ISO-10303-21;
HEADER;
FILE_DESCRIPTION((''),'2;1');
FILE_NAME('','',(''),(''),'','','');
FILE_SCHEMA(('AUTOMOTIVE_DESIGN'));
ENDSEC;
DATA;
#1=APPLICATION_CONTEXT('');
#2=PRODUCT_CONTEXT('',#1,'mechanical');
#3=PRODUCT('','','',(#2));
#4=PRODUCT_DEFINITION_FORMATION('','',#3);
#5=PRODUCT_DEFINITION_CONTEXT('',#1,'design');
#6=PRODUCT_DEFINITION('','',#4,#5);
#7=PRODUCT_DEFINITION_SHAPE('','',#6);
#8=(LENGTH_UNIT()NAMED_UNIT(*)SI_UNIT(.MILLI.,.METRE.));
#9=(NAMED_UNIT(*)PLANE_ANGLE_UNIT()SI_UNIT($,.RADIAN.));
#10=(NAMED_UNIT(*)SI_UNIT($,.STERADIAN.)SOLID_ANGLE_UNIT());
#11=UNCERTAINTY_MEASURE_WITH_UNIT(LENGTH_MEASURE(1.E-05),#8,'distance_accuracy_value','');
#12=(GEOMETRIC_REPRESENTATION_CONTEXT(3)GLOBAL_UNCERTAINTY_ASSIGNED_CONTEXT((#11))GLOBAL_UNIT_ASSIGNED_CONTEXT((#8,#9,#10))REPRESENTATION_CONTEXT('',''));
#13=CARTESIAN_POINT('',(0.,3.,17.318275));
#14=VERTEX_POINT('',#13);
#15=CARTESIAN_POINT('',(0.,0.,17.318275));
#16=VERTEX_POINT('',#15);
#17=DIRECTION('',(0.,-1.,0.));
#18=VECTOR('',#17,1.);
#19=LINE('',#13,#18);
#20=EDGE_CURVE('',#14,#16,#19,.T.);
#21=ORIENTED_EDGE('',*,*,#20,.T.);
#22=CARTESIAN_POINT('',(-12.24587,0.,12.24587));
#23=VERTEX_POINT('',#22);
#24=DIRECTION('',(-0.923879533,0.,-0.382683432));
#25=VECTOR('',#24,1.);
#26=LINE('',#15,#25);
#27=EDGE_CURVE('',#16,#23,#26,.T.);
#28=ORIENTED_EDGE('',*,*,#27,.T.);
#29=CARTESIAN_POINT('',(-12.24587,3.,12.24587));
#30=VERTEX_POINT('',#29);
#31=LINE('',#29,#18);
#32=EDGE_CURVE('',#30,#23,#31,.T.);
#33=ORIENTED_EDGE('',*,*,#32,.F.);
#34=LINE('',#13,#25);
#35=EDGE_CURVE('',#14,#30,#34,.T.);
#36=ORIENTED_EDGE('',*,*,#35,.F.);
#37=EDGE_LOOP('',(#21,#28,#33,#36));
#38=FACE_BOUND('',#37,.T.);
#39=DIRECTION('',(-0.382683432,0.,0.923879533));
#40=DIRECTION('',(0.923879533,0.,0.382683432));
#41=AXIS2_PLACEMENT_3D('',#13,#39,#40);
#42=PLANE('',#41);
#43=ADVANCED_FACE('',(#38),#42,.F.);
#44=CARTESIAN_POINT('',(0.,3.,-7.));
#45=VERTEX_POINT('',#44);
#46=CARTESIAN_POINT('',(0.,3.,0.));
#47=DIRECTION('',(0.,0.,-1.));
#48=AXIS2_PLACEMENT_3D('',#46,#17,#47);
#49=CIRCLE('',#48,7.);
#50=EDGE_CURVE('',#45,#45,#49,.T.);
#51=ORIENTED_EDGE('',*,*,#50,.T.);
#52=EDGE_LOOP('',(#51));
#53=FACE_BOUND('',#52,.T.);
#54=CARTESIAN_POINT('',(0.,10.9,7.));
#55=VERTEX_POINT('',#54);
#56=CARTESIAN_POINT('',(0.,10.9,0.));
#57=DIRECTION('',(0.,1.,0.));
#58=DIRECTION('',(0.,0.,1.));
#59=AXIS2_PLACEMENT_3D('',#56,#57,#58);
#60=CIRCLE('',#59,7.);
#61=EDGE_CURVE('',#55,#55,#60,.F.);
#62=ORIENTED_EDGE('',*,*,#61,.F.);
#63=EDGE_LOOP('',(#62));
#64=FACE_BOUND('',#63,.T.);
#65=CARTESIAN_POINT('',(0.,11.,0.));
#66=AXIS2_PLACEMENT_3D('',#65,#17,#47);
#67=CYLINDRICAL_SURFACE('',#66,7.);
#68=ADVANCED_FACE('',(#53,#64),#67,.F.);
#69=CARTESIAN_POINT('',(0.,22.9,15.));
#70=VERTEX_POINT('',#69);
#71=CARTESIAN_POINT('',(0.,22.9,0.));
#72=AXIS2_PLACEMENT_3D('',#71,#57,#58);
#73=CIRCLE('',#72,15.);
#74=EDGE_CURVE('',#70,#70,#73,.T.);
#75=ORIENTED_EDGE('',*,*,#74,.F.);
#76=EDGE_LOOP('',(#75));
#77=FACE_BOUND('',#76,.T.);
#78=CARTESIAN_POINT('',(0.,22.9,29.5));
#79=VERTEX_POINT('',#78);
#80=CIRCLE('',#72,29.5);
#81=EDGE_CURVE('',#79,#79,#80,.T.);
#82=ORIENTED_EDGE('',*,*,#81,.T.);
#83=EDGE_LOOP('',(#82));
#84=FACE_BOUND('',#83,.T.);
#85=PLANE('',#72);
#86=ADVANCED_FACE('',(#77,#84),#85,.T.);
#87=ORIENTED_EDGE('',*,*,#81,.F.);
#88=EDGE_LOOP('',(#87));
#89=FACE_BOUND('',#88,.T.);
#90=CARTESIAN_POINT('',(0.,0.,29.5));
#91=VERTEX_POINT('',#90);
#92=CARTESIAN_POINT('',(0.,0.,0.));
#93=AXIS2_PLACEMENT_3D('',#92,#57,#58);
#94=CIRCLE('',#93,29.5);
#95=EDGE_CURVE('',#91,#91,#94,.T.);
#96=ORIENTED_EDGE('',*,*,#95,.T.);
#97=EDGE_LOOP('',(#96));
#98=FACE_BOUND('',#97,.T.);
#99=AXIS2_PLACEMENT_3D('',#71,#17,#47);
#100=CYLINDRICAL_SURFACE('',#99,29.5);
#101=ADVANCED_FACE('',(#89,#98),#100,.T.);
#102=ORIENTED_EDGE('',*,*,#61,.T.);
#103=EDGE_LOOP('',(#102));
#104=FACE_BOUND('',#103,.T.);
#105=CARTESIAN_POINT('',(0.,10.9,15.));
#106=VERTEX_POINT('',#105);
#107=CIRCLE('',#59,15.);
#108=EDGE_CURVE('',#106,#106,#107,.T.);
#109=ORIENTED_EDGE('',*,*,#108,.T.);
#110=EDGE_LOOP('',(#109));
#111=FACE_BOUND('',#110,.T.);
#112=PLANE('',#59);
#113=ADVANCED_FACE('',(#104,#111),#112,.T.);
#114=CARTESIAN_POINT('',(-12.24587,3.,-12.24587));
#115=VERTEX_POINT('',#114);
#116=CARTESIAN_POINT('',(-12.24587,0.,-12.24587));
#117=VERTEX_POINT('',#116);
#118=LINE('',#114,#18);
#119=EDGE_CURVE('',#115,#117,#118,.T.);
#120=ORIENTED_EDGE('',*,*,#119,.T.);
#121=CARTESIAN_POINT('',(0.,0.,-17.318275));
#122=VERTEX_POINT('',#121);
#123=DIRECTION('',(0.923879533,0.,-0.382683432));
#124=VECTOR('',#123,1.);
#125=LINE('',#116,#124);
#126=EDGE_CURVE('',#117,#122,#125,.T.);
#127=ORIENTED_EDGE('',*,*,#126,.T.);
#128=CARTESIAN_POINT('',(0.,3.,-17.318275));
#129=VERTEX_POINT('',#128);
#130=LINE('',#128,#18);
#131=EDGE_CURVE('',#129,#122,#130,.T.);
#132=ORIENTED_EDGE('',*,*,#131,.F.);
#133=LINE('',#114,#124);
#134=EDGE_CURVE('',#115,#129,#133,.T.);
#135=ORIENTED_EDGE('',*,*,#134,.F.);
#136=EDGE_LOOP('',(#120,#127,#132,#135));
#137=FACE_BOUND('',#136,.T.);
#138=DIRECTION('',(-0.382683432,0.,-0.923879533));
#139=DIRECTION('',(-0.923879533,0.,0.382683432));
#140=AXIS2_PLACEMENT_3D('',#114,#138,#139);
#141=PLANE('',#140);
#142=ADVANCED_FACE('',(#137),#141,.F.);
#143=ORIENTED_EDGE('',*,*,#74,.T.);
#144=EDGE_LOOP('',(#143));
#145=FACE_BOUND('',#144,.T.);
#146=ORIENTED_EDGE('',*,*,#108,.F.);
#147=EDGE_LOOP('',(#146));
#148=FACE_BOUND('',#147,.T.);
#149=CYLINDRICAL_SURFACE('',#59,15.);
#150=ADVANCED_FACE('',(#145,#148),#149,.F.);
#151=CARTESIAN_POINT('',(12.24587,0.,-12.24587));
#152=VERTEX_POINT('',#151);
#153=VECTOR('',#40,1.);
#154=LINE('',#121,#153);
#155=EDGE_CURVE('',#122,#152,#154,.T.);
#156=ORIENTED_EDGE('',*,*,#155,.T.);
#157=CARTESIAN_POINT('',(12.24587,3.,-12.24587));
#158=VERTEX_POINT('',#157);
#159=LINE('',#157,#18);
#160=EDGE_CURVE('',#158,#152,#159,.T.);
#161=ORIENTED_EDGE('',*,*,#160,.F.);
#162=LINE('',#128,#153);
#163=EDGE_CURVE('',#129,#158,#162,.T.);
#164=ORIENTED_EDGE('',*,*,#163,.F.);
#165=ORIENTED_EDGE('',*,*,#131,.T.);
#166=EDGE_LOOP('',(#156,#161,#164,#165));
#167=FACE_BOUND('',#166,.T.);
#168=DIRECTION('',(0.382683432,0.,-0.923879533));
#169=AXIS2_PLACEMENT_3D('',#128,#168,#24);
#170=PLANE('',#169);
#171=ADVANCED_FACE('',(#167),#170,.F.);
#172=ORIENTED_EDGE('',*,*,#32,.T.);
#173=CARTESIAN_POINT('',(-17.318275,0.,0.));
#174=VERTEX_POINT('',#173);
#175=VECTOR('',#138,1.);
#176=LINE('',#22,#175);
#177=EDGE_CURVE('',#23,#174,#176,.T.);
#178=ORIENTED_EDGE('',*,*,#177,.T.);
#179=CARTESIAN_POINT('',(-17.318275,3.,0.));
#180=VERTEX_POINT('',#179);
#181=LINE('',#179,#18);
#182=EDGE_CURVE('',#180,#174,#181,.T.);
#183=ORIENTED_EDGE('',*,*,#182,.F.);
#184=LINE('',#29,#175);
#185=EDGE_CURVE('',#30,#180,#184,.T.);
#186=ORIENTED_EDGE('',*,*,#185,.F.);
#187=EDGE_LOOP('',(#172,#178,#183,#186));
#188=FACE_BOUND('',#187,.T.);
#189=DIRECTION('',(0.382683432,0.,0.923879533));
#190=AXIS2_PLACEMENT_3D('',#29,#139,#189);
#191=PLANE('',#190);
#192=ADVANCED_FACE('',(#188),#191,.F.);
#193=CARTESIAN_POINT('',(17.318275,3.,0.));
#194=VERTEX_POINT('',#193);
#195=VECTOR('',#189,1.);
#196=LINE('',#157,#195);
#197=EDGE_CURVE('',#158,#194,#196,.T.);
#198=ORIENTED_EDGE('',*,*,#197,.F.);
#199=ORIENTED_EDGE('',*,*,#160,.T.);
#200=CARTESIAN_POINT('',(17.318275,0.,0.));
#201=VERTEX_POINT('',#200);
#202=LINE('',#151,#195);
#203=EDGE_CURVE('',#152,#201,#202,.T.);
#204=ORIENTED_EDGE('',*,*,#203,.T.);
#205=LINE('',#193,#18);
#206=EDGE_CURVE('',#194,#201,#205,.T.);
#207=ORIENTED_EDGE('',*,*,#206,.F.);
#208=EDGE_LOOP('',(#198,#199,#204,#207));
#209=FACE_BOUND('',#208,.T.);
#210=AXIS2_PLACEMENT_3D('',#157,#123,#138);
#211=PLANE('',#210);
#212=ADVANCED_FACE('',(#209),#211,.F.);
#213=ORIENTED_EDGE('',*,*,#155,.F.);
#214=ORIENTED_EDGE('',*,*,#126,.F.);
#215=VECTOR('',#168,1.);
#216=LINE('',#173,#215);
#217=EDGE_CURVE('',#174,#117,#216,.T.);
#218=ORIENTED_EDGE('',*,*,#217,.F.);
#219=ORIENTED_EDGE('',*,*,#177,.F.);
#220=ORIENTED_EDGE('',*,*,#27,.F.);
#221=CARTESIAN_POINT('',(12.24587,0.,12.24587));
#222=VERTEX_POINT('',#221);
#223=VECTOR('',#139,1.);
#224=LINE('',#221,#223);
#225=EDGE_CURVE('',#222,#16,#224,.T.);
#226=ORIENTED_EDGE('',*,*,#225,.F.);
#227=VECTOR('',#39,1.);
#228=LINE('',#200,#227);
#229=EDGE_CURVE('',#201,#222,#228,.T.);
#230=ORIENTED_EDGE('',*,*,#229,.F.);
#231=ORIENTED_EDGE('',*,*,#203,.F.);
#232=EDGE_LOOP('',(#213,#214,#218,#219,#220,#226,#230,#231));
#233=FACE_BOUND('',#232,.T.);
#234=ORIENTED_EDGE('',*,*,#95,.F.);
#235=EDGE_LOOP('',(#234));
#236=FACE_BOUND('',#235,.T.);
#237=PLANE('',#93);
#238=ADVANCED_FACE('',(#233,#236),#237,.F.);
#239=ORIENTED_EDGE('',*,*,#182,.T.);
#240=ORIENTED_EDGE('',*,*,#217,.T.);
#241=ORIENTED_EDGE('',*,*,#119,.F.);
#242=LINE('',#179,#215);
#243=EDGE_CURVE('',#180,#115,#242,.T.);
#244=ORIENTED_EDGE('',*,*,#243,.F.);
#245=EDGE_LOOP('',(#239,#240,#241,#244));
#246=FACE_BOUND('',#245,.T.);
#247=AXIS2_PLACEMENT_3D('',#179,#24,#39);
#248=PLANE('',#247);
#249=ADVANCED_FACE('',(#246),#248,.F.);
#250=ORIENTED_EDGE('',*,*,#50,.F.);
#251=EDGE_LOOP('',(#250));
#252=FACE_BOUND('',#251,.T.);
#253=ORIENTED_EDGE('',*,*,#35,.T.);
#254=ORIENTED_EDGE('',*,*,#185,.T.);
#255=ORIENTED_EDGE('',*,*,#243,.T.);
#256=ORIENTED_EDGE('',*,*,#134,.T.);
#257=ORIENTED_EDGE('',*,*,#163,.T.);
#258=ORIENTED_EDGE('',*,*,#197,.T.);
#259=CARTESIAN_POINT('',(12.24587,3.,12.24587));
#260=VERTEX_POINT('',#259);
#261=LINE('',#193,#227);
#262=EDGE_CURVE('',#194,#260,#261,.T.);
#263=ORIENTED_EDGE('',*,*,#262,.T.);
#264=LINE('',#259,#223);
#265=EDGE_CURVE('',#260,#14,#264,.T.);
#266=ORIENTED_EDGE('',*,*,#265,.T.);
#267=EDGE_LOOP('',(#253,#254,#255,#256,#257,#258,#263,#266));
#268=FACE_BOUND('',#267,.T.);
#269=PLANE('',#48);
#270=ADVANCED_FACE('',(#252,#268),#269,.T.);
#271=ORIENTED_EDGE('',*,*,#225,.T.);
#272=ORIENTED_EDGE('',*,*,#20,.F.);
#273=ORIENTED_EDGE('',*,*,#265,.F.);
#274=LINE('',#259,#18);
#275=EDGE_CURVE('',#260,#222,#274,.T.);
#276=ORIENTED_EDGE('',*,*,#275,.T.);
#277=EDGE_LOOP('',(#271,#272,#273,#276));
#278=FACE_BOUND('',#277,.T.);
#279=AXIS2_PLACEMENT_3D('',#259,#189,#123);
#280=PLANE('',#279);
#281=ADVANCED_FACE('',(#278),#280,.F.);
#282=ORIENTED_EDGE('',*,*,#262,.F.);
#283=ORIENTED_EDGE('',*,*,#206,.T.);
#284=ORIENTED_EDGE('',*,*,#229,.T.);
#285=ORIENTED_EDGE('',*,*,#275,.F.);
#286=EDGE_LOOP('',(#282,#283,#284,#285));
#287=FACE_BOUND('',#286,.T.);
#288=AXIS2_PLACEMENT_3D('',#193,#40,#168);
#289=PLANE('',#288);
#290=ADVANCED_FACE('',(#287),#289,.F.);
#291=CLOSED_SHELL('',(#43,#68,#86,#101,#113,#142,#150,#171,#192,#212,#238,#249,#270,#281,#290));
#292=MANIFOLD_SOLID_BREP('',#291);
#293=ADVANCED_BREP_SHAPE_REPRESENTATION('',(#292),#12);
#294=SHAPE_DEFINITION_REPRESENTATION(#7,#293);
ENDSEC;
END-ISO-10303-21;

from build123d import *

# Parameters (mm, degrees)
SKETCH1_R           = 29.5
BOSS_EXTRUDE1_DEPTH = 22.9
CUT_EXTRUDE1_DEPTH  = 3
SKETCH3_R           = 7
CUT_EXTRUDE2_DEPTH  = 8
SKETCH4_R           = 15
CUT_EXTRUDE3_DEPTH  = 12


with BuildPart() as part:
    # Sketch1 → Boss-Extrude1 (new body)
    with BuildSketch(Plane(origin=(0, 0, 0), x_dir=(1, 0, 0), z_dir=(0, 1, 0))):
        with Locations(Location((0, 0, 0), (0, 0, 270))):
            Circle(SKETCH1_R)
    extrude(amount=BOSS_EXTRUDE1_DEPTH)

    # Sketch2 → Cut-Extrude1 (cut)
    with BuildSketch(Plane.XZ):
        Polygon((12.245869836, 12.245869836), (0, 17.318275205), (-12.245869836, 12.245869836), (-17.318275205, 0), (-12.245869836, -12.245869836), (0, -17.318275205), (12.245869836, -12.245869836), (17.318275205, 0), align=None)
    extrude(amount=-CUT_EXTRUDE1_DEPTH, mode=Mode.SUBTRACT)

    # Sketch3 → Cut-Extrude2 (cut)
    with BuildSketch(Plane.XZ.offset(-3)):
        with Locations(Location((0, 0, 0), (0, 0, 270))):
            Circle(SKETCH3_R)
    extrude(amount=-CUT_EXTRUDE2_DEPTH, mode=Mode.SUBTRACT)

    # Sketch4 → Cut-Extrude3 (cut)
    with BuildSketch(Plane(origin=(0, 22.9, 0), x_dir=(1, 0, 0), z_dir=(0, 1, 0))):
        with Locations(Location((0, 0, 0), (0, 0, 270))):
            Circle(SKETCH4_R)
    extrude(amount=-CUT_EXTRUDE3_DEPTH, mode=Mode.SUBTRACT)


solid = part.part
